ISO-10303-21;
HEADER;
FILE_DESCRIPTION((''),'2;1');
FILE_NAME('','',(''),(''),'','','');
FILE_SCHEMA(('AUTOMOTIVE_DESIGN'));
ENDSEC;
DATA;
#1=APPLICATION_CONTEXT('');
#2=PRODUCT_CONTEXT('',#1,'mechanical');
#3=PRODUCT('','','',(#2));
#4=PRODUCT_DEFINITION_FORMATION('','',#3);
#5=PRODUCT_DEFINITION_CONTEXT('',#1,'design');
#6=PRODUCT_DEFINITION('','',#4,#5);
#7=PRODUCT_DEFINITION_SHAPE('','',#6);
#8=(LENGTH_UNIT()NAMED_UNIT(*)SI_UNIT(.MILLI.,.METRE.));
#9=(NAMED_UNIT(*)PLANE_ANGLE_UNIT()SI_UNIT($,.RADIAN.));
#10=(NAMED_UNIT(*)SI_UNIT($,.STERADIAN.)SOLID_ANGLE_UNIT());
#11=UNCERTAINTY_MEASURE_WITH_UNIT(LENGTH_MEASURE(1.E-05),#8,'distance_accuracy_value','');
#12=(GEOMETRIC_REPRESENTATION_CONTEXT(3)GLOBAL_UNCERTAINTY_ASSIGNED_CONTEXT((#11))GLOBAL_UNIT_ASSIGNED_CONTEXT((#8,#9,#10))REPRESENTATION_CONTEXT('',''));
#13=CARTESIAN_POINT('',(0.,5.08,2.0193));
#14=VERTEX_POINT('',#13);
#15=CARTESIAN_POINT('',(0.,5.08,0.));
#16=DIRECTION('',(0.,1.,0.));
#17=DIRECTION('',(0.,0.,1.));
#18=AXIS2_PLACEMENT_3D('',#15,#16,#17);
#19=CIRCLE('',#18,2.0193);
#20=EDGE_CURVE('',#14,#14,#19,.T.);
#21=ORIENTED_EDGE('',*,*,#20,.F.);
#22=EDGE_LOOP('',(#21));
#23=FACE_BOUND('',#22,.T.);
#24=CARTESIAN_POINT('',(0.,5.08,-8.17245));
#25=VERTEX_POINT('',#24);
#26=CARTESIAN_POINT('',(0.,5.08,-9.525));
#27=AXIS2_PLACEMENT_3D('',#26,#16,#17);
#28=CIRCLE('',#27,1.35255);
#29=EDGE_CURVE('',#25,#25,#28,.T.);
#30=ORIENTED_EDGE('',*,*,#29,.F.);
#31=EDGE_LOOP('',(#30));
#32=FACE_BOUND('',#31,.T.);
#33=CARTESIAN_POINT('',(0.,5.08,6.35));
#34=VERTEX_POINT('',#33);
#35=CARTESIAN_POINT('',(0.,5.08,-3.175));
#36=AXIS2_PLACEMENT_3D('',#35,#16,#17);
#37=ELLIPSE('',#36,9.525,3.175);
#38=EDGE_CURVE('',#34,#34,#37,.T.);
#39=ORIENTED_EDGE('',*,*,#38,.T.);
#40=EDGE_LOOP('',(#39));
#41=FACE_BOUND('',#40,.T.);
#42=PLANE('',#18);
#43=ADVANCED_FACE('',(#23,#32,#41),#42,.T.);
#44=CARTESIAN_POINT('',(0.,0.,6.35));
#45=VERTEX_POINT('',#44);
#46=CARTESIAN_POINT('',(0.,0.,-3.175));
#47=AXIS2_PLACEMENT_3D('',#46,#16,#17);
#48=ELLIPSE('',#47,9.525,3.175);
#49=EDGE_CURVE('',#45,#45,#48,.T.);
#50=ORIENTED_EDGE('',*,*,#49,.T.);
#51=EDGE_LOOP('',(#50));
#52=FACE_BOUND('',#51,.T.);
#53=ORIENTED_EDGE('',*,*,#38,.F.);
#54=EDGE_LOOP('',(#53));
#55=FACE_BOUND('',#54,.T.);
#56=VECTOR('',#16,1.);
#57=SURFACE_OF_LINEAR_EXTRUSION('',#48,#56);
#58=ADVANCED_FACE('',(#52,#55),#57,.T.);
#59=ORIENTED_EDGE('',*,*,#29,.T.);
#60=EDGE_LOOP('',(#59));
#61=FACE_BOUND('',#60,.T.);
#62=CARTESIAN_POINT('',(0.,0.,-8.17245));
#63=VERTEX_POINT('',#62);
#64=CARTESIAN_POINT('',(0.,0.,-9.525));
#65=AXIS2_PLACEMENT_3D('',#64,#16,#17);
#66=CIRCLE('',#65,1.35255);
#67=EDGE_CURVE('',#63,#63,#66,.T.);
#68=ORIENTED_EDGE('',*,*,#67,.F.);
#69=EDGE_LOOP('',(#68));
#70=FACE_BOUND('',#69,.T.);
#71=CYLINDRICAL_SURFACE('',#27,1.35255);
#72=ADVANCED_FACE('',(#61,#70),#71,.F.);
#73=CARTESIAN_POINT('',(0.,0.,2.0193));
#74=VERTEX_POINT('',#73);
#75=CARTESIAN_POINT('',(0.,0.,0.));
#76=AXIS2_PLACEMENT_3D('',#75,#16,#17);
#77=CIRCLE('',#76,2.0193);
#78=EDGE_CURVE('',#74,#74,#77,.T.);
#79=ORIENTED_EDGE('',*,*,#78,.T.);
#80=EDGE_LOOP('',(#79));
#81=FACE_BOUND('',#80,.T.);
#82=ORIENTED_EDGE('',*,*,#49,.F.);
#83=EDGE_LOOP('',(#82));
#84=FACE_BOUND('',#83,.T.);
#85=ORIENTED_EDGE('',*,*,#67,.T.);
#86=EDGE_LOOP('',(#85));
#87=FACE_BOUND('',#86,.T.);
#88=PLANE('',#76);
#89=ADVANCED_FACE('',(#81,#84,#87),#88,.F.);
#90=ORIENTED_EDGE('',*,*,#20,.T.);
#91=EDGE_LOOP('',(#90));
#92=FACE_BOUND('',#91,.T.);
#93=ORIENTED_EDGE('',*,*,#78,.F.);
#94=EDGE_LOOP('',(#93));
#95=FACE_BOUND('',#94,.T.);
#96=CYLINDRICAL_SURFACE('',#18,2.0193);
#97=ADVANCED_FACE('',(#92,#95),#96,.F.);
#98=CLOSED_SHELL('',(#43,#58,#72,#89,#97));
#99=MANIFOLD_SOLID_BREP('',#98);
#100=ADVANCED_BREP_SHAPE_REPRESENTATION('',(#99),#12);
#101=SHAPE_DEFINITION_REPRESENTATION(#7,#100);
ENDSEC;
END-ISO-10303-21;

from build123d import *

# Parameters (mm, degrees)
SKETCH1_R              = 15.875
BOSS_EXTRUDE1_DEPTH    = 5.08
F_10_32_TAPPED_HOLE1_D = 4.0386
F_6_32_TAPPED_HOLE1_D  = 2.7051
SKETCH7_OUTSIDE_W      = 42.788
SKETCH7_OUTSIDE_H      = 42.788
SKETCH7_OUTSIDE_RX     = 9.525
SKETCH7_OUTSIDE_RY     = 3.175
CUT_EXTRUDE1_DEPTH     = 24.01820258


with BuildPart() as part:
    # Sketch1 → Boss-Extrude1 (new body)
    with BuildSketch(Plane(origin=(0, 0, 0), x_dir=(1, 0, 0), z_dir=(0, 1, 0))):
        with Locations(Location((0, 0, 0), (0, 0, 270))):
            Circle(SKETCH1_R)
    extrude(amount=BOSS_EXTRUDE1_DEPTH)

    # #10-32 Tapped Hole1 (through all)
    with Locations(Plane(origin=(0, 5.08, 0), x_dir=(1, 0, 0), z_dir=(0, 1, 0))):
        with Locations((0, 0)):
            Hole(F_10_32_TAPPED_HOLE1_D / 2)

    # #6-32 Tapped Hole1 (through all)
    with Locations(Plane(origin=(0, 5.08, 0), x_dir=(1, 0, 0), z_dir=(0, 1, 0))):
        with Locations((0, 9.525)):
            Hole(F_6_32_TAPPED_HOLE1_D / 2)

    # Sketch7 outside → Cut-Extrude1 (cut, through all)
    with BuildSketch(Plane(origin=(0, 5.08, 0), x_dir=(1, 0, 0), z_dir=(0, 1, 0))):
        Rectangle(SKETCH7_OUTSIDE_W, SKETCH7_OUTSIDE_H)
        with Locations(Location((0, 3.175), (0, 0, -90))):
            Ellipse(SKETCH7_OUTSIDE_RX, SKETCH7_OUTSIDE_RY, mode=Mode.SUBTRACT)
    extrude(amount=-CUT_EXTRUDE1_DEPTH, mode=Mode.SUBTRACT)


solid = part.part
